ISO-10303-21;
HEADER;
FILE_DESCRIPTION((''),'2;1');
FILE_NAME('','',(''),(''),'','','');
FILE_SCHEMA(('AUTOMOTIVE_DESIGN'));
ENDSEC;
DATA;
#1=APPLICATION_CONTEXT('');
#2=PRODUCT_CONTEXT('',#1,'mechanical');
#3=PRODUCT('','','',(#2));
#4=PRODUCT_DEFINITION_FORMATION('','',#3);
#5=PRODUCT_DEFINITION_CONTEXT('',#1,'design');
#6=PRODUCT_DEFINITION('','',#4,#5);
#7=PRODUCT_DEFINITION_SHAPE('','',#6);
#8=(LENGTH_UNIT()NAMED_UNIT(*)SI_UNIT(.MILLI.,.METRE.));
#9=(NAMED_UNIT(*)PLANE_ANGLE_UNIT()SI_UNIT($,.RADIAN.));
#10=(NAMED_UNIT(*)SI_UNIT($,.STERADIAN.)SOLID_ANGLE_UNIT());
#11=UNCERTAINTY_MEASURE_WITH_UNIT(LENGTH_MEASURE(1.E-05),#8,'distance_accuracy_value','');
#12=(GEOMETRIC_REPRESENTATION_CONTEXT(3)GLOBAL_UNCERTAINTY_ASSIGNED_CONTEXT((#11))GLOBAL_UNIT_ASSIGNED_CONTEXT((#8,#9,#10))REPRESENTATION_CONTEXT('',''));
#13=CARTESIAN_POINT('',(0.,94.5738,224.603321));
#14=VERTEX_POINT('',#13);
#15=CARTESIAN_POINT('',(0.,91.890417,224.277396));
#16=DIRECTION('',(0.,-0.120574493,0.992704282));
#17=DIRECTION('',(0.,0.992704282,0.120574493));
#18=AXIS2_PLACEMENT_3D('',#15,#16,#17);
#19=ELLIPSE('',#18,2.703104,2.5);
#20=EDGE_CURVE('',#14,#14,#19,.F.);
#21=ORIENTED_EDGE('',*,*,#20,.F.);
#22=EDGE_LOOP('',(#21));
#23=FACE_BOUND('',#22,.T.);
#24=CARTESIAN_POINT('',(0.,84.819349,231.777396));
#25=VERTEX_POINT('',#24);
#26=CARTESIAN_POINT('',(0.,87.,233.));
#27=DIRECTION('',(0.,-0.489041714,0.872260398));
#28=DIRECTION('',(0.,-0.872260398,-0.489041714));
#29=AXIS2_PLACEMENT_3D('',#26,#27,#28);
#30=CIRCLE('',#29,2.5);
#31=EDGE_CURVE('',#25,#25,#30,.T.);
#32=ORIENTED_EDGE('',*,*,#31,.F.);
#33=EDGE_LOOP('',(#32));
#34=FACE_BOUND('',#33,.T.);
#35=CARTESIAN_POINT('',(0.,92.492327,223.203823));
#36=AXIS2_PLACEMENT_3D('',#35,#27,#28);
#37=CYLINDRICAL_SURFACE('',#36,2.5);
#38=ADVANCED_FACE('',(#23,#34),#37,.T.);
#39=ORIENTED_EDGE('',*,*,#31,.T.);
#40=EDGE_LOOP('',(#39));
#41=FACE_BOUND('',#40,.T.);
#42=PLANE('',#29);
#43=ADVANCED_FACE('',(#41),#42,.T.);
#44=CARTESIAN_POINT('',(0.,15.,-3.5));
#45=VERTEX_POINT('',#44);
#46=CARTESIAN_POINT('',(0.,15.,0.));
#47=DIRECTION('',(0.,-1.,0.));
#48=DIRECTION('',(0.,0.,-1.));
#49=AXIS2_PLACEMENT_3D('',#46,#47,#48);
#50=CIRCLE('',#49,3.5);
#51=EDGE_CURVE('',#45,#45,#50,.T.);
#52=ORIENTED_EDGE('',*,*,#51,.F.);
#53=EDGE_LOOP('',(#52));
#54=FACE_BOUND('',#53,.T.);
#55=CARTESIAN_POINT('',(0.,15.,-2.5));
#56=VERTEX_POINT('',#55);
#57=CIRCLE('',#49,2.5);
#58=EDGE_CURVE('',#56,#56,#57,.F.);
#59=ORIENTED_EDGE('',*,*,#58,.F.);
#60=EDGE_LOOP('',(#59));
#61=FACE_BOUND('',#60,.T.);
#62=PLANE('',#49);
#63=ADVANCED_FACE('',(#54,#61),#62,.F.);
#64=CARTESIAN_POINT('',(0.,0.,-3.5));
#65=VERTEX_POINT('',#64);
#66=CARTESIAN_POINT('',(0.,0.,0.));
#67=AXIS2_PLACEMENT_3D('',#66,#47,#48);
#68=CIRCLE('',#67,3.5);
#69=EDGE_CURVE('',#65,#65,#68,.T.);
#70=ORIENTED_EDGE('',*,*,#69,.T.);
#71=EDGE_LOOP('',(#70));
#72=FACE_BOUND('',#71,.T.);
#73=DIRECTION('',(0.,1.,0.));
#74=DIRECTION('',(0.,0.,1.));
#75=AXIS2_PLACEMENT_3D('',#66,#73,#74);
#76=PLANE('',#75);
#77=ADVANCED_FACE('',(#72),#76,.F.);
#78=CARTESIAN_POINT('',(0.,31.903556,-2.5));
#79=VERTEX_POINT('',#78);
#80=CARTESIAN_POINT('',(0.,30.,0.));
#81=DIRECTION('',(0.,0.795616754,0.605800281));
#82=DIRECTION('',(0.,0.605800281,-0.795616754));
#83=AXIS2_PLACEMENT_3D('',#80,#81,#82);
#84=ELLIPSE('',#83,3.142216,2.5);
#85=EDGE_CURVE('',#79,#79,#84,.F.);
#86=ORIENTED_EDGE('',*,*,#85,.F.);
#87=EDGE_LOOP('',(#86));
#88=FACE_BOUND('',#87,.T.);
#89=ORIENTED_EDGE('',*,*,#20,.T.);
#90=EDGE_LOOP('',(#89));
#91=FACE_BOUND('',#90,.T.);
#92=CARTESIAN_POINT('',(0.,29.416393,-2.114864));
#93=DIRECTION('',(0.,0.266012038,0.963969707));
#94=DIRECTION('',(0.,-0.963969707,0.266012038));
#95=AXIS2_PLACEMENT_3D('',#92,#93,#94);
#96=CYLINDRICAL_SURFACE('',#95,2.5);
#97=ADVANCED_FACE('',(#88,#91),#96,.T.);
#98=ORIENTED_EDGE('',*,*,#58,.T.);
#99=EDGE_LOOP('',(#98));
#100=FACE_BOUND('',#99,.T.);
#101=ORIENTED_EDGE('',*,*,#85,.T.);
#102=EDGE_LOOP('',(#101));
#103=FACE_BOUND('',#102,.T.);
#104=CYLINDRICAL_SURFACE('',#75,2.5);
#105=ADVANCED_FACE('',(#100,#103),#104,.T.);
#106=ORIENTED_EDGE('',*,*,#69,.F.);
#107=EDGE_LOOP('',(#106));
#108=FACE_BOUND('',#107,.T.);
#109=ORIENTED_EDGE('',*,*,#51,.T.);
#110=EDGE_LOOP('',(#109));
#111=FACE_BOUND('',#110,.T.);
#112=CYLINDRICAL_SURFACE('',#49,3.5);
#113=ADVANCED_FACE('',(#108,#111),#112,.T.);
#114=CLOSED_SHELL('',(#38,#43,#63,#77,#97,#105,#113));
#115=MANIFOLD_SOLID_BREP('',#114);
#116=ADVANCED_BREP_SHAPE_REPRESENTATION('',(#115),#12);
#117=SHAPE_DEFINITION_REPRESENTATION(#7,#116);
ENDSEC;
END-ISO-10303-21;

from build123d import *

# Parameters (mm, degrees)
SKETCH2_R           = 2.5
SKETCH3_R           = 3.5
BOSS_EXTRUDE1_DEPTH = 15


with BuildPart() as part:
    # Sweep1: sweep along a path in Sketch1
    with BuildLine(Plane(origin=(0, 0, 0), x_dir=(0, 0, -1), z_dir=(1, 0, 0))) as sweep1_path:
        Line((0, 0), (0, 30))
        Line((0, 30), (-224.277396019, 91.890417139))
        Line((-224.277396019, 91.890417139), (-233, 87))
    # Sketch2 → Sweep1 (sweep)
    with BuildSketch(Plane(origin=(0, 87, 233), x_dir=(1, 0, 0), z_dir=(0, -0.489041714, 0.872260398))):
        Circle(SKETCH2_R)
    sweep(path=sweep1_path.line, transition=Transition.RIGHT)

    # Sketch3 → Boss-Extrude1 (add)
    with BuildSketch(Plane.XZ):
        Circle(SKETCH3_R)
    extrude(amount=-BOSS_EXTRUDE1_DEPTH)


solid = part.part
